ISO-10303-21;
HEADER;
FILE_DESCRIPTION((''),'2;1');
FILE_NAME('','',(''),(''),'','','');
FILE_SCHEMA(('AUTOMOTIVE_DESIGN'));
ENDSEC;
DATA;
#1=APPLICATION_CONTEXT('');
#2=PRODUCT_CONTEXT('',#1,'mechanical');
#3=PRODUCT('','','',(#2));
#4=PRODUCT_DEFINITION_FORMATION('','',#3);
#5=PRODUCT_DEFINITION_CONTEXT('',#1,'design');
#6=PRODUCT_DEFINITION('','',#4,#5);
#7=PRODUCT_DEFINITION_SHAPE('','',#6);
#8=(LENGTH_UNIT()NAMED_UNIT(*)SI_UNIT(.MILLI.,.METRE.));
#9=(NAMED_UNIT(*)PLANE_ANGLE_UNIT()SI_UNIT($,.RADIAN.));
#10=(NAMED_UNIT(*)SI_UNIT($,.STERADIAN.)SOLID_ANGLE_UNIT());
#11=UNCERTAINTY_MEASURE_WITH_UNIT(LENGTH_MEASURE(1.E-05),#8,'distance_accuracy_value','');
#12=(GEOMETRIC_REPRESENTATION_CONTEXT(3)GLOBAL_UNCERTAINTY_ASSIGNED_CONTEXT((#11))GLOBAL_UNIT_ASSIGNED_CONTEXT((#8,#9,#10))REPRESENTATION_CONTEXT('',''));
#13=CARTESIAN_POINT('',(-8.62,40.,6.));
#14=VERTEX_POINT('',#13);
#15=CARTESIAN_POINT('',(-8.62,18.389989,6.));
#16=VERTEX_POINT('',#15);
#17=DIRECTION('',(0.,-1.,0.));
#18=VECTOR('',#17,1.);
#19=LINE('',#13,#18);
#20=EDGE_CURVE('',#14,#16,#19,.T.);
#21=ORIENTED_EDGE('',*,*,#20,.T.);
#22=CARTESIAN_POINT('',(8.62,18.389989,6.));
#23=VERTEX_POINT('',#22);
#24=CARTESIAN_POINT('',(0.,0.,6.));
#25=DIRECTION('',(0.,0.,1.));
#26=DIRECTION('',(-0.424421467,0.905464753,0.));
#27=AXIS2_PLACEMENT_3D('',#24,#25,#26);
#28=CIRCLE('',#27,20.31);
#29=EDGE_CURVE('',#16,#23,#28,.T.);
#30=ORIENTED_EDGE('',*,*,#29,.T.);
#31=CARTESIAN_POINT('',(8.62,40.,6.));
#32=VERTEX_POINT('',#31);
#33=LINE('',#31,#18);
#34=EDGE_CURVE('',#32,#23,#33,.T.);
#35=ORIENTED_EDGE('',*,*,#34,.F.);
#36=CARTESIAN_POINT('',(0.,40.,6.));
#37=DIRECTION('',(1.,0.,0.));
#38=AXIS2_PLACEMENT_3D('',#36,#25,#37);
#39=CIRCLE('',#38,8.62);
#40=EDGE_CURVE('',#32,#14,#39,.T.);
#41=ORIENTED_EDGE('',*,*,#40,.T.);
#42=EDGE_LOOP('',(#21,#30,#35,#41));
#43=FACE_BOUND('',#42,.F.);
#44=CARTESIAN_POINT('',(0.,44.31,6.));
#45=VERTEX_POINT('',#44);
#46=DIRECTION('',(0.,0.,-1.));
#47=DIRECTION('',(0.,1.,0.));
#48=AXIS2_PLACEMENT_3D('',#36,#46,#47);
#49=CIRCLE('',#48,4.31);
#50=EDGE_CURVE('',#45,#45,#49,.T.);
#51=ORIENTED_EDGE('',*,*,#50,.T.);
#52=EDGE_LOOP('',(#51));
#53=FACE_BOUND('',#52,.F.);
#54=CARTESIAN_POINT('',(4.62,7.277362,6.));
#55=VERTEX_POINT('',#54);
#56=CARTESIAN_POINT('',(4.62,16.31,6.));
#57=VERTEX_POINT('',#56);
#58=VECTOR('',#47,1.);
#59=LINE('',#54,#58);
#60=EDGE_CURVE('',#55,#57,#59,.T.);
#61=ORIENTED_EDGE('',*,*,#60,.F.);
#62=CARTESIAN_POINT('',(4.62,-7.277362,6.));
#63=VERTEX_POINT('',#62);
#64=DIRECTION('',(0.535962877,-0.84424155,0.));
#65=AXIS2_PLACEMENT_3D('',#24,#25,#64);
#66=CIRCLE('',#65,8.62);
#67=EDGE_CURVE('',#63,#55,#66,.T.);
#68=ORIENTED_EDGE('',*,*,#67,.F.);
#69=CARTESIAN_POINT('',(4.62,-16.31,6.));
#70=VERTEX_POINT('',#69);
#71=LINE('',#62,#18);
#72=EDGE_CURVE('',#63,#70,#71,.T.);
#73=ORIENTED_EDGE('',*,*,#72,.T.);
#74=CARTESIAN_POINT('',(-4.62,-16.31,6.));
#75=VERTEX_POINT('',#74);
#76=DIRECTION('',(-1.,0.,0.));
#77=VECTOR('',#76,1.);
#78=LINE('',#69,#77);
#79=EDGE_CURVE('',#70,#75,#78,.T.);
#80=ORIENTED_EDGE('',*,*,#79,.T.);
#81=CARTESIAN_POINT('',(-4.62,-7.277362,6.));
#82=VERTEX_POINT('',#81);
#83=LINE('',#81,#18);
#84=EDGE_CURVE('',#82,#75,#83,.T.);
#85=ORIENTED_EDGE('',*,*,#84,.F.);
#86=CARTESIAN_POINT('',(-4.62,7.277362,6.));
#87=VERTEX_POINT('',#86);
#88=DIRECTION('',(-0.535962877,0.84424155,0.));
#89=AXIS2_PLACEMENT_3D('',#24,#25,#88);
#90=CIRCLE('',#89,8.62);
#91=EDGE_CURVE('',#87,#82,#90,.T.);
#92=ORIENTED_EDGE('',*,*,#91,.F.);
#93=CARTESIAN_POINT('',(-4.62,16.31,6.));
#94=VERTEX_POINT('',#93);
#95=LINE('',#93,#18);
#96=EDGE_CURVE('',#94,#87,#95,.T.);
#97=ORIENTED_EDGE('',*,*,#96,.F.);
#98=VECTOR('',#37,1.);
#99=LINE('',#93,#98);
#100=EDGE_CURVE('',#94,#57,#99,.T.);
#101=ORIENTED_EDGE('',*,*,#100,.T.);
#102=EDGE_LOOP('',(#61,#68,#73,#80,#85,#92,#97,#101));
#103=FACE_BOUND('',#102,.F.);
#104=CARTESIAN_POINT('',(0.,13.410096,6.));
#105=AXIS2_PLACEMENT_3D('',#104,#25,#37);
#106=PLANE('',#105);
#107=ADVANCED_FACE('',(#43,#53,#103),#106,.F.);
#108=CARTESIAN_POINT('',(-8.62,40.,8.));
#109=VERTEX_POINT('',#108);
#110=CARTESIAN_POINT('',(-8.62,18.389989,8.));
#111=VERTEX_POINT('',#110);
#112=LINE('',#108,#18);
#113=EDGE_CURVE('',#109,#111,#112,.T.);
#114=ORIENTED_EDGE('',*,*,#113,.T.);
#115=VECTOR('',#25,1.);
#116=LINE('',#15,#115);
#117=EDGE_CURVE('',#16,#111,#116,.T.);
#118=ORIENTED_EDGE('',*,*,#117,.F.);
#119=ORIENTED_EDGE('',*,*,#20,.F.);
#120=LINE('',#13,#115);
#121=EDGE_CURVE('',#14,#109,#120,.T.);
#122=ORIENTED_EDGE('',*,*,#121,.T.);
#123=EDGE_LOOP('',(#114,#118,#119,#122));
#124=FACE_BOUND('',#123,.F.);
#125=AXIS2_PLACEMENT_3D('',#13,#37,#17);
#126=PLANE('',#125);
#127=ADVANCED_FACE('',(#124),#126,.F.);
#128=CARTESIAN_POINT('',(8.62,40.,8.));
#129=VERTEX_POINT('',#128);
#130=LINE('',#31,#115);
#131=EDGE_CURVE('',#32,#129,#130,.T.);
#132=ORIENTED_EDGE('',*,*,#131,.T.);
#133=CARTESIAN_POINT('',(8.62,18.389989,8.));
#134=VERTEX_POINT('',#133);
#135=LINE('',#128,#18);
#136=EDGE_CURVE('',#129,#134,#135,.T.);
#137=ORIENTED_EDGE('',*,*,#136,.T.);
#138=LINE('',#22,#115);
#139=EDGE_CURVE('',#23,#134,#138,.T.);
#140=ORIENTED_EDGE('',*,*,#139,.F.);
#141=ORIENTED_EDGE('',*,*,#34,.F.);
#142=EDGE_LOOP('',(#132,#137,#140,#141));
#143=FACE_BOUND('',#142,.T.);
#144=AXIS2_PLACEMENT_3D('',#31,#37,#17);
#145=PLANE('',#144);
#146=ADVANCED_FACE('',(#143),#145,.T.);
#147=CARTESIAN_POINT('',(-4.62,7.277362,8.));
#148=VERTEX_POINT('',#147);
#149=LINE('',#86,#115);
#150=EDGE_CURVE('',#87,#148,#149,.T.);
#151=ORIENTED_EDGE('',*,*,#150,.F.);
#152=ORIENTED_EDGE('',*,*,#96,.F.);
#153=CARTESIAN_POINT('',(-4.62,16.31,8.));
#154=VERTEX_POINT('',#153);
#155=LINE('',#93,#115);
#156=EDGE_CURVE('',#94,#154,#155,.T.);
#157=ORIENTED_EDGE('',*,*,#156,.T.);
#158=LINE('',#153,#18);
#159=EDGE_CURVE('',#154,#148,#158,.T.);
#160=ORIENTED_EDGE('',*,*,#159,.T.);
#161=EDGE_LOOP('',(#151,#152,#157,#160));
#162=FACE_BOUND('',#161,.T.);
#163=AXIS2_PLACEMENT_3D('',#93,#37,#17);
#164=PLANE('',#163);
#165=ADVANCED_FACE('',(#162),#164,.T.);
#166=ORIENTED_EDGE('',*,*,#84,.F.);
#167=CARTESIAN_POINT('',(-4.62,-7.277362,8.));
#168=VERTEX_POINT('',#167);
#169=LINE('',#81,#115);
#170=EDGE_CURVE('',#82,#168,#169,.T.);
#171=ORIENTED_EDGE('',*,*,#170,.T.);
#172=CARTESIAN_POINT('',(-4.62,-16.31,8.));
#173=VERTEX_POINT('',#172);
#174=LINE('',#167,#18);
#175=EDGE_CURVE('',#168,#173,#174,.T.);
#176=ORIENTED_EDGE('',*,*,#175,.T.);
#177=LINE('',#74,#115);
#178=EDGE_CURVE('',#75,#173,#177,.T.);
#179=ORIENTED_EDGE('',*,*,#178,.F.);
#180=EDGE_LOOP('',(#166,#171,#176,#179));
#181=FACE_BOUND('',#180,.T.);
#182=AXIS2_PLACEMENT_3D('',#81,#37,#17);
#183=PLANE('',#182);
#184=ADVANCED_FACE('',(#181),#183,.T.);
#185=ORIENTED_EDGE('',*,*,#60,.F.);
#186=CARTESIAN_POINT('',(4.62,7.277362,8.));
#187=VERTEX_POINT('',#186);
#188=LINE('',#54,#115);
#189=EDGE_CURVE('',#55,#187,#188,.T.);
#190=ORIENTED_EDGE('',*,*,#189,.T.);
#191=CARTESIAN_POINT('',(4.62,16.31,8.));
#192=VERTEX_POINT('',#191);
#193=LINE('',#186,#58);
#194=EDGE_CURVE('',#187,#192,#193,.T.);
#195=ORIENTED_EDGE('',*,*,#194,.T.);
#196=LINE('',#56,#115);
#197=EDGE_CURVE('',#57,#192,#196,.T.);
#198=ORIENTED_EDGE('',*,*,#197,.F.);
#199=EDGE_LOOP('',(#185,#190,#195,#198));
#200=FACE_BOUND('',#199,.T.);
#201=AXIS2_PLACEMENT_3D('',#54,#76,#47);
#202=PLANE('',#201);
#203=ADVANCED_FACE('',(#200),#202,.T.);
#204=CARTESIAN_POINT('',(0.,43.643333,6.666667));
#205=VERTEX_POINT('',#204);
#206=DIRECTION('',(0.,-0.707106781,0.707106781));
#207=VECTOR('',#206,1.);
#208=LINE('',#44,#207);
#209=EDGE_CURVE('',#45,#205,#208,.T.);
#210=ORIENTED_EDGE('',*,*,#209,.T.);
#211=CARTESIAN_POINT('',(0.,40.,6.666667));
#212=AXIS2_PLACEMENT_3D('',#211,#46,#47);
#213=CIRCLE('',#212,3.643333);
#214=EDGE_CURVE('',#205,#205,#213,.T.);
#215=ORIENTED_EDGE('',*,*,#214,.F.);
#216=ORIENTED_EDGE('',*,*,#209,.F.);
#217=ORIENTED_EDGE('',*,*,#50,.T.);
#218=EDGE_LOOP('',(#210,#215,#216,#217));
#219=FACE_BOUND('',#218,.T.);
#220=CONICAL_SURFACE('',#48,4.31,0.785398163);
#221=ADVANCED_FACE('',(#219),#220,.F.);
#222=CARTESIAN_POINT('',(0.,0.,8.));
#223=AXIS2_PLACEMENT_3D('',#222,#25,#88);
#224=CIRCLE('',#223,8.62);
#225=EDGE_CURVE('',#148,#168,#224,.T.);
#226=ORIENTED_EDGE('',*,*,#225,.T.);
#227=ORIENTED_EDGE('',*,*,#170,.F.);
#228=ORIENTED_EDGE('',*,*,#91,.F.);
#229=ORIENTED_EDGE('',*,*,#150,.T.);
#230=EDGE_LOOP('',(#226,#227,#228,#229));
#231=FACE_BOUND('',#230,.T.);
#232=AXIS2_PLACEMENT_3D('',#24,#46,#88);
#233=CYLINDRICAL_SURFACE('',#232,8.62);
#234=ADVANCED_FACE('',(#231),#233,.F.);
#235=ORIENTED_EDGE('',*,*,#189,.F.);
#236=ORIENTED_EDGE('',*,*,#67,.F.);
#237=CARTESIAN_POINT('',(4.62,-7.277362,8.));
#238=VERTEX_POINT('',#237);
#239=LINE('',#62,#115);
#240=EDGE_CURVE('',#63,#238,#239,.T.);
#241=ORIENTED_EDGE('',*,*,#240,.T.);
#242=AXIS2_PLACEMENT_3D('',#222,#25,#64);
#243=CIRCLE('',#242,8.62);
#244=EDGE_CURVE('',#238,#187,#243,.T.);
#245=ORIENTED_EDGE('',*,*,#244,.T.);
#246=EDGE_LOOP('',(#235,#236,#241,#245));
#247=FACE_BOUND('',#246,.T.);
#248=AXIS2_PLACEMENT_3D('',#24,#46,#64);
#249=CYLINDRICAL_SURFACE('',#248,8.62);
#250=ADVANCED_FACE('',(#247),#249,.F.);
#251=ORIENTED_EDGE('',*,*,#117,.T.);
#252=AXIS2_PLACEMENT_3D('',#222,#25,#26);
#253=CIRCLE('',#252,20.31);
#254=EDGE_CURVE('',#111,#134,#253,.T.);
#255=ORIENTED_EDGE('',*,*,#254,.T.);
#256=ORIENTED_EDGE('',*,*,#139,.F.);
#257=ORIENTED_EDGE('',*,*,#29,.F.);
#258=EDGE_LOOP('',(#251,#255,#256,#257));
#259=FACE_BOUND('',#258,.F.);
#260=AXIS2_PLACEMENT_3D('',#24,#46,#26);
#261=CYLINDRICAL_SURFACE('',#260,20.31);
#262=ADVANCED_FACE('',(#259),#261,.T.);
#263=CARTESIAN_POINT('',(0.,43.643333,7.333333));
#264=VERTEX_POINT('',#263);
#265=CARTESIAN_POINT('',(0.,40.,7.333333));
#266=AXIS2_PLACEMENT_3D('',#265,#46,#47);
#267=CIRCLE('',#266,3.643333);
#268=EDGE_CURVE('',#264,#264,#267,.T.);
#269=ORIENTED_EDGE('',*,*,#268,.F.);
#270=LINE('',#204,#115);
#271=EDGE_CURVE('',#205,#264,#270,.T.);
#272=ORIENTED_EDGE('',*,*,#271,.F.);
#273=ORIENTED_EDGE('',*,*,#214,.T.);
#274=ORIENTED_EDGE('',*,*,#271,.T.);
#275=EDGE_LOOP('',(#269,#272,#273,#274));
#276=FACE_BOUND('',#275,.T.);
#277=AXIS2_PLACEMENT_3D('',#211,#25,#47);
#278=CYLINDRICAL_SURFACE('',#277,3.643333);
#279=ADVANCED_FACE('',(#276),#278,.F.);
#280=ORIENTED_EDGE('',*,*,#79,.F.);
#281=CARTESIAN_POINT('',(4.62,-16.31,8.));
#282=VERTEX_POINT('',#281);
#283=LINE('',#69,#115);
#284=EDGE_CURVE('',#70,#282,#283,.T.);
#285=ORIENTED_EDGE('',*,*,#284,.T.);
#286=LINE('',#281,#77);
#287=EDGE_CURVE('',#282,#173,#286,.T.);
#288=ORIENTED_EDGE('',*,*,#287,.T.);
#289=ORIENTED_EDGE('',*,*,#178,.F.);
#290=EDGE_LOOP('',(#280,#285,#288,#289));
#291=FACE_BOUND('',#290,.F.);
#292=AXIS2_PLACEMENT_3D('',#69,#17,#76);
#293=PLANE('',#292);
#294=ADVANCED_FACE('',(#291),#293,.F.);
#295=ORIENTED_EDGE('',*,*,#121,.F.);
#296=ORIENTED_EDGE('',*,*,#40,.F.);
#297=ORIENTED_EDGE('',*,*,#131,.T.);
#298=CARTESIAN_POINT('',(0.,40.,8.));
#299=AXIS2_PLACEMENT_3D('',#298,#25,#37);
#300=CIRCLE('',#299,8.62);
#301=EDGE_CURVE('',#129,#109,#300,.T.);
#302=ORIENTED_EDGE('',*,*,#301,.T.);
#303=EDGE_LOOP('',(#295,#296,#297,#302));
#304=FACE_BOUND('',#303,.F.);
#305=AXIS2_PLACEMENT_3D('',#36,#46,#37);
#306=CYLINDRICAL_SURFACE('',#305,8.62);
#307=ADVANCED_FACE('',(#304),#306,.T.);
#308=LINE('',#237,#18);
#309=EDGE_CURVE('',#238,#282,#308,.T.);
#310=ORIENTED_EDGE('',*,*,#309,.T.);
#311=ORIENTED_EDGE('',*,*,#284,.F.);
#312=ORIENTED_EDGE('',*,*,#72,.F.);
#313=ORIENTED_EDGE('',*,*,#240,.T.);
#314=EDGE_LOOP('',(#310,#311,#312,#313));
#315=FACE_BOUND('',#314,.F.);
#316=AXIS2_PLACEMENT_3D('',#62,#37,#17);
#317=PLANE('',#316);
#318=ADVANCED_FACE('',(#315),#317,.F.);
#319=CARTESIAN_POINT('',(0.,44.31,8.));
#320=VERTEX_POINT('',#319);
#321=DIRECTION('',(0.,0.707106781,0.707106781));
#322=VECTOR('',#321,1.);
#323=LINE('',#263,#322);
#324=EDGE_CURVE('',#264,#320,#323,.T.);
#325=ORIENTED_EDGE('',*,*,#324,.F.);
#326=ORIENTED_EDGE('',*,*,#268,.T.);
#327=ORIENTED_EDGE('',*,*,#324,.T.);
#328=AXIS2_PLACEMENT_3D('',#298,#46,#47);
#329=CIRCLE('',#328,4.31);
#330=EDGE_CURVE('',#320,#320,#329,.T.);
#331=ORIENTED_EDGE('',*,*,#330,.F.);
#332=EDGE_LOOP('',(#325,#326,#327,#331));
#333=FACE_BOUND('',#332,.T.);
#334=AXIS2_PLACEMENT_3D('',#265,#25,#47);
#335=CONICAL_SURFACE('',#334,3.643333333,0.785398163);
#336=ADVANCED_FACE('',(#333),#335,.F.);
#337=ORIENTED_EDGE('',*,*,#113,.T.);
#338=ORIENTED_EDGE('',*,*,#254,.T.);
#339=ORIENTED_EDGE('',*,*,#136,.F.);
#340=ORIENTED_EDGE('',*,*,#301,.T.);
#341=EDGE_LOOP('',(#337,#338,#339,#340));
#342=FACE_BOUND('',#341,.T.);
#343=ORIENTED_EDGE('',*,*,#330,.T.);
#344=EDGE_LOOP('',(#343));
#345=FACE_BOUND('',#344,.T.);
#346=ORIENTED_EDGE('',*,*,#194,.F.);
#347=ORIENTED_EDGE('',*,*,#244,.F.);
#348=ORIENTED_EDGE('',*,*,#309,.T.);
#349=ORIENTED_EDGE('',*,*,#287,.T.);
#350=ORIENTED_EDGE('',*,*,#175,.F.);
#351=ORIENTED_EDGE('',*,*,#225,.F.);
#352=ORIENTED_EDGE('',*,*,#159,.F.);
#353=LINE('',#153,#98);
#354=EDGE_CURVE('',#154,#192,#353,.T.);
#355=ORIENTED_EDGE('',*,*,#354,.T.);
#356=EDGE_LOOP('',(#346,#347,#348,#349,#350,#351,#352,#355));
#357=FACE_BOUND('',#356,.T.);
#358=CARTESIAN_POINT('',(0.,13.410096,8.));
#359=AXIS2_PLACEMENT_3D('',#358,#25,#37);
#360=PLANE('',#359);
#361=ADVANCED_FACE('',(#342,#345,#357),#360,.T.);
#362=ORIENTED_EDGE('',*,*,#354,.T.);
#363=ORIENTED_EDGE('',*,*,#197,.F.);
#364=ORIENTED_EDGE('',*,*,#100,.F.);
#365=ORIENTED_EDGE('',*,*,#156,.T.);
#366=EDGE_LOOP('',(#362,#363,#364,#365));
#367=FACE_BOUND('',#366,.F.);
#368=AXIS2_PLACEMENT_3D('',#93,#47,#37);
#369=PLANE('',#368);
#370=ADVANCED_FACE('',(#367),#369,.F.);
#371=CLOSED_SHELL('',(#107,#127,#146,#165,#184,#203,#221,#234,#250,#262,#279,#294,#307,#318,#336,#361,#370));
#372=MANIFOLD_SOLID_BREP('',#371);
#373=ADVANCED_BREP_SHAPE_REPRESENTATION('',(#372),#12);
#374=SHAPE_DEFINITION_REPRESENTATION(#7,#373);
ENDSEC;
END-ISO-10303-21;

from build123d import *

# Parameters (mm, degrees)
EXTRUDE008_DEPTH = 2


with BuildPart() as manopla:
    # Sketch011 → Revolve (revolve)
    with BuildSketch(Plane.YZ):
        Polygon((43.6433333333, 6.6666666667), (43.6433333333, 7.3333333333), (44.31, 8), (44.31, 14), (40, 14), (40, 6), (44.31, 6), align=None)
    revolve(axis=Axis((0, 40, 6), (0, 0, -1)))


with BuildPart() as manivela001:
    # Sketch009 (on Face8 of Extrude003) → Extrude008 (new body)
    with BuildSketch(Plane.XY.offset(6)):
        with BuildLine():
            Line((-8.62, 40), (-8.62, 18.3899891245))
            ThreePointArc((-8.62, 18.3899891245), (0, -20.31), (8.62, 18.3899891245))
            Line((8.62, 40), (8.62, 18.3899891245))
            ThreePointArc((8.62, 40), (0, 48.62), (-8.62, 40))
        make_face()
        with BuildLine():
            Line((-4.62, 16.31), (4.62, 16.31))
            Line((4.62, 7.2773621595), (4.62, 16.31))
            ThreePointArc((4.62, -7.2773621595), (8.62, 0), (4.62, 7.2773621595))
            Line((4.62, -7.2773621595), (4.62, -16.31))
            Line((4.62, -16.31), (-4.62, -16.31))
            Line((-4.62, -7.2773621595), (-4.62, -16.31))
            ThreePointArc((-4.62, 7.2773621595), (-8.62, 0), (-4.62, -7.2773621595))
            Line((-4.62, 16.31), (-4.62, 7.2773621595))
        make_face(mode=Mode.SUBTRACT)
    extrude(amount=EXTRUDE008_DEPTH)

    # Cut002: cut Manopla
    add(manopla.part, mode=Mode.SUBTRACT)


solid = manivela001.part
